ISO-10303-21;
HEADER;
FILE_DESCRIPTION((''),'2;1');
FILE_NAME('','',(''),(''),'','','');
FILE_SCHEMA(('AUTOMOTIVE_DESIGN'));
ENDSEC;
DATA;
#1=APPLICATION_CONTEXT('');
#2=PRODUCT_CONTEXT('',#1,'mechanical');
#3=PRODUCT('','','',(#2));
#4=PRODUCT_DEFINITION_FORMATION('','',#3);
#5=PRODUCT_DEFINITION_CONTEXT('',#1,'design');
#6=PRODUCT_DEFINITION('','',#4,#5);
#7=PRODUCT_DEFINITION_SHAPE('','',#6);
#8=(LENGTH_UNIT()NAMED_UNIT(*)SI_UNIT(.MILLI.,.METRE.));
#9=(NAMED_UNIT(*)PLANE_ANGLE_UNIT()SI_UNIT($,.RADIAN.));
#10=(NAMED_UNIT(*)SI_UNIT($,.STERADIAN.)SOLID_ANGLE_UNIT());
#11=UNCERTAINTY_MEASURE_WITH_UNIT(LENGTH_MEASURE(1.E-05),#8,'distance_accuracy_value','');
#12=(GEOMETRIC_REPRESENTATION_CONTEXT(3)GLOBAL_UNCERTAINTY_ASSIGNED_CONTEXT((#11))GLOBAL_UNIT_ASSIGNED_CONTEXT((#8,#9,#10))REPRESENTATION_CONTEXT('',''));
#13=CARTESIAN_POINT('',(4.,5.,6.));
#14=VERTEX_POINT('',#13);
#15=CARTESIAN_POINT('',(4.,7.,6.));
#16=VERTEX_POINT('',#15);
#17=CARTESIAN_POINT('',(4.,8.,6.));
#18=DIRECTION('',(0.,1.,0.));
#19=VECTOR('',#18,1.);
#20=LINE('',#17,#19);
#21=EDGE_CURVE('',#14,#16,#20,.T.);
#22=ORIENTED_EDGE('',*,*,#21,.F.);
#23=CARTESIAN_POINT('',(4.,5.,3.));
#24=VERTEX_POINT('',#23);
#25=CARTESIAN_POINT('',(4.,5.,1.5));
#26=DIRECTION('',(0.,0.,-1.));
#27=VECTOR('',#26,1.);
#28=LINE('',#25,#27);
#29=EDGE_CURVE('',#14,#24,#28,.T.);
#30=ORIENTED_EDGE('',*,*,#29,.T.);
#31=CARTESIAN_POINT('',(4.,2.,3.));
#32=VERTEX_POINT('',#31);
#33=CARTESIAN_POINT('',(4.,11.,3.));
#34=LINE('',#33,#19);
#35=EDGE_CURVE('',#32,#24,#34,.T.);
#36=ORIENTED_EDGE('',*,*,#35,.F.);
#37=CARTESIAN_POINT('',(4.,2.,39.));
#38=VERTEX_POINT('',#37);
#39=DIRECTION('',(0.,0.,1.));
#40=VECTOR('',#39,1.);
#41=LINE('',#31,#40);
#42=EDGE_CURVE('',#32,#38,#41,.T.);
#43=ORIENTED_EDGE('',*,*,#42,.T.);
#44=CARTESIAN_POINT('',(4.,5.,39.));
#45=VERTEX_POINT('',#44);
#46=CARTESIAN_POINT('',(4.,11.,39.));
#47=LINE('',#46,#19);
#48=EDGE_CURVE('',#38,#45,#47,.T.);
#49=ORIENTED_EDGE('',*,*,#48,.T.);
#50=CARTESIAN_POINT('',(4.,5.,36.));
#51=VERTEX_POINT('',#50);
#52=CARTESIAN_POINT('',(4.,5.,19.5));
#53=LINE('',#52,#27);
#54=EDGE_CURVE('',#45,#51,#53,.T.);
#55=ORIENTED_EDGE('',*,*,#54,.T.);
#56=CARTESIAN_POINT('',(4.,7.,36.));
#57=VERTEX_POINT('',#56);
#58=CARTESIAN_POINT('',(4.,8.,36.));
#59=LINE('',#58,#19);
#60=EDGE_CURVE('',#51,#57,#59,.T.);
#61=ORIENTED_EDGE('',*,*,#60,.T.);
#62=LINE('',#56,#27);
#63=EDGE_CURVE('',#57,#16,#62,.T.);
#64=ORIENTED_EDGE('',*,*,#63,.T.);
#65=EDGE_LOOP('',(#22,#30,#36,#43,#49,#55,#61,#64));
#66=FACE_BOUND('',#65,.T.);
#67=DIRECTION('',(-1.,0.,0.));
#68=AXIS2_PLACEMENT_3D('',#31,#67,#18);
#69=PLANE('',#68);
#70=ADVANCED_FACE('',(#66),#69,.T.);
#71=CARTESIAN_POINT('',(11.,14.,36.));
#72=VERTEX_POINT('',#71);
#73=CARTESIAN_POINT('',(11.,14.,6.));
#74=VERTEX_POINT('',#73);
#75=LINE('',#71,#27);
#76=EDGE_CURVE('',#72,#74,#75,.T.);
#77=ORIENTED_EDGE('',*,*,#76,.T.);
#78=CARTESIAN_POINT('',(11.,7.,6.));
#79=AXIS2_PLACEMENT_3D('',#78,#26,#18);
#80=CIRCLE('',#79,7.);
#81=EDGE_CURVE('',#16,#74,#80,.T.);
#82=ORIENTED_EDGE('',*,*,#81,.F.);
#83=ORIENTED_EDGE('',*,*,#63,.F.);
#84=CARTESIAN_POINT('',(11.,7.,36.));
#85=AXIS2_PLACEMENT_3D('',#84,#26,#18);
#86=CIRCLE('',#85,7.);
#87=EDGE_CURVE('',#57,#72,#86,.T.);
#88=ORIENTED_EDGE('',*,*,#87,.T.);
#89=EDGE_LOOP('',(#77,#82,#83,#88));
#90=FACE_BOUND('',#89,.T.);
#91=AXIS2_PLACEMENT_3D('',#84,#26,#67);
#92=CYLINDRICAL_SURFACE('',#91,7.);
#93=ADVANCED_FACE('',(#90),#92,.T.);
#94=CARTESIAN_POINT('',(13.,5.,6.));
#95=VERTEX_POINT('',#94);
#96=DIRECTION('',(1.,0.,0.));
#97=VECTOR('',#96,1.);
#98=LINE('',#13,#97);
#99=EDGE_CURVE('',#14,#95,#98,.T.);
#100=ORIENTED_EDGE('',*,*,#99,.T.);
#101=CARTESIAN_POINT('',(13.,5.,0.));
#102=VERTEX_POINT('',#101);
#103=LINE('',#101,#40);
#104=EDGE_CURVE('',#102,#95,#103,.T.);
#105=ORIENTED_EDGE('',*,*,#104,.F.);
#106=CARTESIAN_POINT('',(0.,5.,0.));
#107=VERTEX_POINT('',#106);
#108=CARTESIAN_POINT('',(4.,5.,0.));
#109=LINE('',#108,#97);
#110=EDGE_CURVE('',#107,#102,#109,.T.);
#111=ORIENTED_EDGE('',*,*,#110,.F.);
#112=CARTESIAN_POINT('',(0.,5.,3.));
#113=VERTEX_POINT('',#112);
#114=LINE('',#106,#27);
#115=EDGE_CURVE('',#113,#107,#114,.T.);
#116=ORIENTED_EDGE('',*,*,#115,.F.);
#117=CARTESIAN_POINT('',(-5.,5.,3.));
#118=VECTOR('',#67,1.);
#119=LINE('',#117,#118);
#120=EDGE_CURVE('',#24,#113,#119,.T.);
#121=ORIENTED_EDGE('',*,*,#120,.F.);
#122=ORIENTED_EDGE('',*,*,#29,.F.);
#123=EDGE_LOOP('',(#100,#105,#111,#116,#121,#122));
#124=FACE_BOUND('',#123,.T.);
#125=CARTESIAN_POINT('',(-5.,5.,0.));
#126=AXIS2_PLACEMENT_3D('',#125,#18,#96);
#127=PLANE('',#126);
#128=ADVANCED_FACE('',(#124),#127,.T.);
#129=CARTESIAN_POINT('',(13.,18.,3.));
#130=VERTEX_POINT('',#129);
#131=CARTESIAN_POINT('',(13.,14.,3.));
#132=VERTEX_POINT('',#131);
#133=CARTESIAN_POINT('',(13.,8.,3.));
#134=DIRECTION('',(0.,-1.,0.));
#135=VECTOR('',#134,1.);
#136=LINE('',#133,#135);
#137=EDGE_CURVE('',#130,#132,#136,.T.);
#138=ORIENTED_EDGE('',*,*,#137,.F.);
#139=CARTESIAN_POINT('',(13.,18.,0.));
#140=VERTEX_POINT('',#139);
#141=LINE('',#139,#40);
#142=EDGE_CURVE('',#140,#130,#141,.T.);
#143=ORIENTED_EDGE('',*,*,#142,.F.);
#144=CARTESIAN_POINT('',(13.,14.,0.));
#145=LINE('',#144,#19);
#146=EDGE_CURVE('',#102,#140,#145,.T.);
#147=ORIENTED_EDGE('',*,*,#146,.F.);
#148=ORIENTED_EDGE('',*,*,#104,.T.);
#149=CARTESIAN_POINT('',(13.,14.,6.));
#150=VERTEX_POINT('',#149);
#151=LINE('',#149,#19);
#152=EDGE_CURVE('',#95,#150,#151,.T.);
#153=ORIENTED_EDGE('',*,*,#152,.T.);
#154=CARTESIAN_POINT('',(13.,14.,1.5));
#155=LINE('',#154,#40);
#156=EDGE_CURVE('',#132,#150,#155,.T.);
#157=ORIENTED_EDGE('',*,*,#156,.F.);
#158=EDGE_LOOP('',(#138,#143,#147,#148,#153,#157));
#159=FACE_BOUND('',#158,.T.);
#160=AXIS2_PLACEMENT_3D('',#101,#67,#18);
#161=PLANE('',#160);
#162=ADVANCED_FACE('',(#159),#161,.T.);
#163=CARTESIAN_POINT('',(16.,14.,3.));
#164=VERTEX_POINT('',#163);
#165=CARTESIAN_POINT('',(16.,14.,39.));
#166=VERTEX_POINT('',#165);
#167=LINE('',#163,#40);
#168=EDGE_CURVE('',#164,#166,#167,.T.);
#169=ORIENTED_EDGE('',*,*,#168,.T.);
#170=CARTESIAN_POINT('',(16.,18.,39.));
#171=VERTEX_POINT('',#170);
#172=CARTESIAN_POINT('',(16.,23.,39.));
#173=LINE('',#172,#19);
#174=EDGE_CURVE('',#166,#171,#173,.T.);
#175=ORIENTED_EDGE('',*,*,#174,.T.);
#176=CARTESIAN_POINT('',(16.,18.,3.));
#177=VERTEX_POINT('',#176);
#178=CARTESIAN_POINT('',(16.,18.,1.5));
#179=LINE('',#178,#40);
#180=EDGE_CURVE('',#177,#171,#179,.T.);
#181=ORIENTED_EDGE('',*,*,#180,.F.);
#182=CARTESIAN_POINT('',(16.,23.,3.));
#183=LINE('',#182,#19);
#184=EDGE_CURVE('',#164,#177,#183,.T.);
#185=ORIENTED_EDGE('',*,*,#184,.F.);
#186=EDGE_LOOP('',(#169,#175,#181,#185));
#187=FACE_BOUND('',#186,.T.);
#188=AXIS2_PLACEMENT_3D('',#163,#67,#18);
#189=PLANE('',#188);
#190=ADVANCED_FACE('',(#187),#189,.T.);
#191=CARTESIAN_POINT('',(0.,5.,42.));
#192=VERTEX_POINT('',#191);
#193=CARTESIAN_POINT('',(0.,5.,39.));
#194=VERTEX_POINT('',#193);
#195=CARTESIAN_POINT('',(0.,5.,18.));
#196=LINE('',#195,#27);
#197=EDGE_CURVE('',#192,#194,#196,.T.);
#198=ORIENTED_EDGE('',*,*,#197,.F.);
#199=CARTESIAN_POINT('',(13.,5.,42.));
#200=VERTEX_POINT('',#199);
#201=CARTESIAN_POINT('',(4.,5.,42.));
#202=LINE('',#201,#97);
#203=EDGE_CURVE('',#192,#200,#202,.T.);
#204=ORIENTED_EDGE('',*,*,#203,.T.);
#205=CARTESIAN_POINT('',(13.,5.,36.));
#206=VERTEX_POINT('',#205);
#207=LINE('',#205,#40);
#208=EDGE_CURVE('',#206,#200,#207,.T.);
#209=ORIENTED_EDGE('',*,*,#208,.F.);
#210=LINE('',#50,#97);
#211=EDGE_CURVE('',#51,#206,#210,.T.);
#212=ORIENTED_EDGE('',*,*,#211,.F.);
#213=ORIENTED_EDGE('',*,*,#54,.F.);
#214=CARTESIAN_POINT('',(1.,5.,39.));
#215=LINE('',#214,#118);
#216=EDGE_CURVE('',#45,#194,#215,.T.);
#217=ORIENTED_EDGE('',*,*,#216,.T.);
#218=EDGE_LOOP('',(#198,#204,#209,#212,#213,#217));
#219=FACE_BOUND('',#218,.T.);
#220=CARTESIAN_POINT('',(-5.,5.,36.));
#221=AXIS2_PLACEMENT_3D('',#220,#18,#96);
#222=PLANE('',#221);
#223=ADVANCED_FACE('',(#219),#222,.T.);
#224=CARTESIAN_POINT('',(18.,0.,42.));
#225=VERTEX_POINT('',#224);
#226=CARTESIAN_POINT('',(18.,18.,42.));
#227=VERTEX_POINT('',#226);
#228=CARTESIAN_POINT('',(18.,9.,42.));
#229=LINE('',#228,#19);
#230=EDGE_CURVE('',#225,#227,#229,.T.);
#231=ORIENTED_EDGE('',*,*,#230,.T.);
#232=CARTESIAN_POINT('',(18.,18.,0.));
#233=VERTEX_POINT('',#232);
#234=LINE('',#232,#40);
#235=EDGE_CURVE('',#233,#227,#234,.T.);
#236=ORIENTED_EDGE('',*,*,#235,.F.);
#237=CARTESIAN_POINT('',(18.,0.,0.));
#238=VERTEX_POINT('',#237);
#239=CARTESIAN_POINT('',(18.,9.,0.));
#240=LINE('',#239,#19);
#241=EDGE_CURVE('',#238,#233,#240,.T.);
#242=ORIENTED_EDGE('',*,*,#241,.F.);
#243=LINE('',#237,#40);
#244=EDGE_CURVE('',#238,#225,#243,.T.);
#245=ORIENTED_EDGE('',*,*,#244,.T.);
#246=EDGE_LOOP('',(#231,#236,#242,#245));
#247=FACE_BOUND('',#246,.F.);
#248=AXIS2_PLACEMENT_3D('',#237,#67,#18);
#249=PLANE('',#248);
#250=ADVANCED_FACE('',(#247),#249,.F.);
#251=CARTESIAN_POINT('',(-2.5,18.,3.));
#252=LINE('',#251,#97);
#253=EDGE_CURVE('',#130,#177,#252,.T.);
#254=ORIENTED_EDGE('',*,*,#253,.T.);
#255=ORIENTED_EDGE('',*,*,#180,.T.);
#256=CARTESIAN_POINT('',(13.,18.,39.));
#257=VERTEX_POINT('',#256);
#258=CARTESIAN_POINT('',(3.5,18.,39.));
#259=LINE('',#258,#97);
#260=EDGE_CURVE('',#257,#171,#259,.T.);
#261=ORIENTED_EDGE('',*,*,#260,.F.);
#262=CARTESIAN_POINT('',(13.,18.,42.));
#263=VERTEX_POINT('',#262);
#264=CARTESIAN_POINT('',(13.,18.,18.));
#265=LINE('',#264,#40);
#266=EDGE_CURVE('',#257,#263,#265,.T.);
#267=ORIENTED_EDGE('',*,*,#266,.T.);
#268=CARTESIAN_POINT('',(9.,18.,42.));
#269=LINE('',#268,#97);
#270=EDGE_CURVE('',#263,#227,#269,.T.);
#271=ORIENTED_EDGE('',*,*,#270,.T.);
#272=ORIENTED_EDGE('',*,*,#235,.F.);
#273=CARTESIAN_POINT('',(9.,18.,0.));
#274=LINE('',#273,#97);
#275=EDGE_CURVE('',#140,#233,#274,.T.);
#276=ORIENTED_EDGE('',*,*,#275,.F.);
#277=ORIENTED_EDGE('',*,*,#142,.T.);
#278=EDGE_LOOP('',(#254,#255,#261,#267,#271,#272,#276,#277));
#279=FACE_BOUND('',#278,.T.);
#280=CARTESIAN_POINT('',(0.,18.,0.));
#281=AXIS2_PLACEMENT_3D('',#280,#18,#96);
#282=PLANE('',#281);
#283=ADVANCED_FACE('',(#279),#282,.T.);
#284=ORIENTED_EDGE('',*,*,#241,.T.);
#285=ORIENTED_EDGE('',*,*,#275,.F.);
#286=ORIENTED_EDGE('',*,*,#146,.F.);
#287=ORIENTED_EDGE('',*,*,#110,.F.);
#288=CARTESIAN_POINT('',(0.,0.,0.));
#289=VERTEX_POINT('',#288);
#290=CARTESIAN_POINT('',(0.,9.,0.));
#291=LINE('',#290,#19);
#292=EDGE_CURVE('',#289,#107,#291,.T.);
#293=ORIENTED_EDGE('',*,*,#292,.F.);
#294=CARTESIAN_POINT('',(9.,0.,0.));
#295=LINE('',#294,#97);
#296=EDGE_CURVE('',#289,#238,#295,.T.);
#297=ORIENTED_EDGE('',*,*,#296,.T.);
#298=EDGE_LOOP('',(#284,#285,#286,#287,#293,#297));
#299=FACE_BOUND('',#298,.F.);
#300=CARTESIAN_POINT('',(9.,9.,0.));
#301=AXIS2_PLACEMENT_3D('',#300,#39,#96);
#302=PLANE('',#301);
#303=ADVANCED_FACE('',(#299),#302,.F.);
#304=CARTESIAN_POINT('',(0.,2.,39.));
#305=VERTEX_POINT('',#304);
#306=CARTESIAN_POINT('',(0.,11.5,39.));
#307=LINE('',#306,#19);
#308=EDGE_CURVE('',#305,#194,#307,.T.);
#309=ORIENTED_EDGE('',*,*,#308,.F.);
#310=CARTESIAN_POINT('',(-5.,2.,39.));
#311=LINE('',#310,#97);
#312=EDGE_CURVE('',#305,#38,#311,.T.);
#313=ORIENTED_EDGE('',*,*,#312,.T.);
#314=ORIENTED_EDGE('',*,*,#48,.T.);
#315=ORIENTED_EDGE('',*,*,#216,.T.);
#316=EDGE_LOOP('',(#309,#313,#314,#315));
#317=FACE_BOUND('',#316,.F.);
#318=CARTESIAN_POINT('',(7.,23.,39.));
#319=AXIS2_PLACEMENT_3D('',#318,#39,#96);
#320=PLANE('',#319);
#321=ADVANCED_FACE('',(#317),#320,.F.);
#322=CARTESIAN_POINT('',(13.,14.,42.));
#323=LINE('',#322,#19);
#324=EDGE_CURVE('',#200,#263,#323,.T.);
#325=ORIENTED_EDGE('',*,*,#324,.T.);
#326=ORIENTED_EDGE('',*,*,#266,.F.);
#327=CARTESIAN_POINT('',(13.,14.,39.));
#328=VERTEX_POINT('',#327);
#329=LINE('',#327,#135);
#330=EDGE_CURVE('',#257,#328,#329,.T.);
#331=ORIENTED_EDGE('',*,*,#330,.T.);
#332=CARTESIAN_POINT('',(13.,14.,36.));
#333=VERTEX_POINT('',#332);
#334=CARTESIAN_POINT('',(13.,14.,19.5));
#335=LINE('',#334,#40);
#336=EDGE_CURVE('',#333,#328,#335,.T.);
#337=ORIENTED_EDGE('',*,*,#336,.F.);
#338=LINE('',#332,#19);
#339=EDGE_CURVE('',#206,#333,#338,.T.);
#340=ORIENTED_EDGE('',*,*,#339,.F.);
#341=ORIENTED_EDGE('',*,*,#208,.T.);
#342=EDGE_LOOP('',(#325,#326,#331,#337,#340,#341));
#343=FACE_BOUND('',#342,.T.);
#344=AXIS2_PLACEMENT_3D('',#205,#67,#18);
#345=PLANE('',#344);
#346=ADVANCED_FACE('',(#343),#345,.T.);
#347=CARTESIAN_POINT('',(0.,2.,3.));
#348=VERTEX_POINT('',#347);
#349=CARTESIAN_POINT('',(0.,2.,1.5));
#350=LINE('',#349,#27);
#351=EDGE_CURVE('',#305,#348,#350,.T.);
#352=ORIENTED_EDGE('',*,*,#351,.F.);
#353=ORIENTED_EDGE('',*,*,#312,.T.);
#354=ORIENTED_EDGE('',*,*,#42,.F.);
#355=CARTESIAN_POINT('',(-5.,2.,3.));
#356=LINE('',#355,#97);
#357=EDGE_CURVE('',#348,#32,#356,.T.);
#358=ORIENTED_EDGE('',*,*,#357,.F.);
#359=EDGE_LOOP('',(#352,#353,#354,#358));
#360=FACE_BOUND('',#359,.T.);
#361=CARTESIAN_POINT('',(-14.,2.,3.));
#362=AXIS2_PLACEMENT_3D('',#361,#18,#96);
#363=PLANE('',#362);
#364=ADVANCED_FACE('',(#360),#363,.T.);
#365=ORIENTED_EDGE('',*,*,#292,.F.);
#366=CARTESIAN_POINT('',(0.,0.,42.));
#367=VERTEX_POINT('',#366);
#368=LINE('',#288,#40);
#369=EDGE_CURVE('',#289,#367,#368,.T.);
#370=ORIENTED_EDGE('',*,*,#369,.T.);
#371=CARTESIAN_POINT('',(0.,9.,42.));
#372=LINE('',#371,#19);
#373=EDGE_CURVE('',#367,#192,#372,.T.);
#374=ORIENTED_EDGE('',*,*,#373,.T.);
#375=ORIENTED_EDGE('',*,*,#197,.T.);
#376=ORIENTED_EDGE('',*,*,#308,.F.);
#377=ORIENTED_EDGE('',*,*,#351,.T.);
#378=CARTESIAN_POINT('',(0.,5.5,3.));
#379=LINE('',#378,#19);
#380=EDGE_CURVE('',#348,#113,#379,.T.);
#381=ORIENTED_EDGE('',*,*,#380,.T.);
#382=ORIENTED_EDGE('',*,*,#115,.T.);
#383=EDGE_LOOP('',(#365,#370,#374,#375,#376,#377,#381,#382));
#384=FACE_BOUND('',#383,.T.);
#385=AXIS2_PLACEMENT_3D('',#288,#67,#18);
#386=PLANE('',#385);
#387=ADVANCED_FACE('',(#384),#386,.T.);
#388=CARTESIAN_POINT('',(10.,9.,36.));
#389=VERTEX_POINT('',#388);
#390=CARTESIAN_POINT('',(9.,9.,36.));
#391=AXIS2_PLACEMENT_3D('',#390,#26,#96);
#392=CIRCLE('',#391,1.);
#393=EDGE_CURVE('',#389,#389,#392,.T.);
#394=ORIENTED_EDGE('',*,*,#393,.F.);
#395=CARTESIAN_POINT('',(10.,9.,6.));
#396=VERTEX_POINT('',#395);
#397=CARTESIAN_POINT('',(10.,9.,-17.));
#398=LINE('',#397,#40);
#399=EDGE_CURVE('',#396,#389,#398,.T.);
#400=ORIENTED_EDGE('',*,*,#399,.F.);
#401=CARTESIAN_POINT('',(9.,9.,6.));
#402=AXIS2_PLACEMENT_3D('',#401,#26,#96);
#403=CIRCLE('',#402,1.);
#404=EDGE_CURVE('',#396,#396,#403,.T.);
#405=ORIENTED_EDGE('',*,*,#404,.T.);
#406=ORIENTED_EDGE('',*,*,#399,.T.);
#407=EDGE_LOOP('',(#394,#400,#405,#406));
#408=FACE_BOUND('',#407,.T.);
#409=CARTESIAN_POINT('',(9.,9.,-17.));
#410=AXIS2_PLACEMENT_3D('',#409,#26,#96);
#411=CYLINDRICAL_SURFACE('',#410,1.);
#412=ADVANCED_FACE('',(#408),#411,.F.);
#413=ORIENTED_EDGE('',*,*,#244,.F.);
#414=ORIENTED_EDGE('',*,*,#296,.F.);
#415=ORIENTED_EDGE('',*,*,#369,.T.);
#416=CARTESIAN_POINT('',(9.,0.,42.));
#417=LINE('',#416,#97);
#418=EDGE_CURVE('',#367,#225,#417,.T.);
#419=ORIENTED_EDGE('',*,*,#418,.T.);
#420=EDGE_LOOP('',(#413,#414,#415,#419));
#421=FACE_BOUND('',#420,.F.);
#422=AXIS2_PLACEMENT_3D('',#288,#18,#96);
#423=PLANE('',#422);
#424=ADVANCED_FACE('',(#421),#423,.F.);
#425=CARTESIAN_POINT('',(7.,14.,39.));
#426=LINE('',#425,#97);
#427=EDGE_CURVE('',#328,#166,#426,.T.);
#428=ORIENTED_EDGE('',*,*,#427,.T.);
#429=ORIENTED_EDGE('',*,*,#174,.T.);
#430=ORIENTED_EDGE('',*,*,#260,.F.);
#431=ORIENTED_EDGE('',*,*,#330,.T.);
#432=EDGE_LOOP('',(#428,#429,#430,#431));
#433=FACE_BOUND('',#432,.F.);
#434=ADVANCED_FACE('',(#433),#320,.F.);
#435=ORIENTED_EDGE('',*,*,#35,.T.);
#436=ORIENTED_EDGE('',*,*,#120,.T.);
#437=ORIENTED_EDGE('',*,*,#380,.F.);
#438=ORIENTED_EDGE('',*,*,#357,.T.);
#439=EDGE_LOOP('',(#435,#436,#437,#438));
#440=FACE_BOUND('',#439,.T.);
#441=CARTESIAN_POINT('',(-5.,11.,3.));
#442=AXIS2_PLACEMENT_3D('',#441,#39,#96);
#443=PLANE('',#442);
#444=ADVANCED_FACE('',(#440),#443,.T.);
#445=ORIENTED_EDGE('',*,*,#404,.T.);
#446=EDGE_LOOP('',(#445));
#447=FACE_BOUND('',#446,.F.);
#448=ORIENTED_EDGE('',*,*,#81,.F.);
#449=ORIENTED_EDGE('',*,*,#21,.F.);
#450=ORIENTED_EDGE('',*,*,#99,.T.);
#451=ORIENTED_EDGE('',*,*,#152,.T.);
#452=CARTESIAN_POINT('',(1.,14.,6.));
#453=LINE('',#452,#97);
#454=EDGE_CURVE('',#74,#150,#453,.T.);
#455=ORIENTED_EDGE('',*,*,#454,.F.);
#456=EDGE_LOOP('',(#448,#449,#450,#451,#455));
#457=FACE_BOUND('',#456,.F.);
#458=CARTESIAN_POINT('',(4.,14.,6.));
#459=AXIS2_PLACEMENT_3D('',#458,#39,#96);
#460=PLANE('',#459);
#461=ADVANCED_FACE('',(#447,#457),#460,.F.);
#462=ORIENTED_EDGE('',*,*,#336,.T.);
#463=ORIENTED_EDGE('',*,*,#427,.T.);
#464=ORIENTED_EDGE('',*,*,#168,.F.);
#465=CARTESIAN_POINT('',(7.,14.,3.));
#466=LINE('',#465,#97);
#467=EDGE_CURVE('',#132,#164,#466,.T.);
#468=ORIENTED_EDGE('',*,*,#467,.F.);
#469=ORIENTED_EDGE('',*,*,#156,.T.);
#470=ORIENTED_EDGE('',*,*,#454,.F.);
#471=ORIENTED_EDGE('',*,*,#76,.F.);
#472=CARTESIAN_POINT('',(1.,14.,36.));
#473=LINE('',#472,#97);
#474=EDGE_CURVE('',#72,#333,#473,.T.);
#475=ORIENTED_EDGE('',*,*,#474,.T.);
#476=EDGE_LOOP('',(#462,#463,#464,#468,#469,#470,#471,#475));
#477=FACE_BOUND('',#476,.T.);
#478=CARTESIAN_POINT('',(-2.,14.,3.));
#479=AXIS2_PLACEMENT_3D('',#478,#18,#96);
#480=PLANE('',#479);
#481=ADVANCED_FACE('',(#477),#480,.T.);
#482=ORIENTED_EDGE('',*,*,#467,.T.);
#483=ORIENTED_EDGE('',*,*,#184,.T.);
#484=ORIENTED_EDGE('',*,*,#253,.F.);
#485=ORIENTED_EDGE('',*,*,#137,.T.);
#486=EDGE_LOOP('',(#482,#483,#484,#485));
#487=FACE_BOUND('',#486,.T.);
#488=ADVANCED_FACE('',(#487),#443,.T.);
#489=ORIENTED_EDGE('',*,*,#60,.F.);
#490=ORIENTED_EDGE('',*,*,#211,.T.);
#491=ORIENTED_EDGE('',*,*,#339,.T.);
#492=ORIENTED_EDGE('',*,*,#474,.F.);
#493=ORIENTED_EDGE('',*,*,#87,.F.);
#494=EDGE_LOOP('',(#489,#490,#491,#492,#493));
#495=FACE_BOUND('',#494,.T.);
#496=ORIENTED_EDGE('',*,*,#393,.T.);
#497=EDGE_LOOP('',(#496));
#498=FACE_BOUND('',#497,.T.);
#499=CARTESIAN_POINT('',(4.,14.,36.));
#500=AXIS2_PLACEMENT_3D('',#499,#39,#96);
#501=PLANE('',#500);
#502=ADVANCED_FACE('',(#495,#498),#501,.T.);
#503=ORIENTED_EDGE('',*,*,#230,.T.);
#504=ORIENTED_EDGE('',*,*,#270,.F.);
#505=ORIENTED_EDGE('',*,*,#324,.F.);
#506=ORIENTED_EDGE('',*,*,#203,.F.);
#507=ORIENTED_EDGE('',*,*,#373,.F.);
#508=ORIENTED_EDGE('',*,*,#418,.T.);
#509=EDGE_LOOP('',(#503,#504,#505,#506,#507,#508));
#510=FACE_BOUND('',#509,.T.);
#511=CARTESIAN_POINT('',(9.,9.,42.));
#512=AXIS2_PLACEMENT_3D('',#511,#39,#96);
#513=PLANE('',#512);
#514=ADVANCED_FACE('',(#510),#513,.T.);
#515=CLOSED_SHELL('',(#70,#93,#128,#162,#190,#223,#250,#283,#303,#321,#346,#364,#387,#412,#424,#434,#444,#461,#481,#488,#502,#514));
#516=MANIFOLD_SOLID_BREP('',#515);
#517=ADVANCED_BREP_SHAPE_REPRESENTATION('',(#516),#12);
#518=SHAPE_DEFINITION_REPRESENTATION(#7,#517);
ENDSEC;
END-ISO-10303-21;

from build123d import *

# Parameters (mm, degrees)
BOX017_W          = 18
BOX017_H          = 18
BOX017_DEPTH      = 36
CYLINDER010_R     = 1
CYLINDER010_DEPTH = 70
BOX015_W          = 18
BOX015_H          = 18
BOX015_DEPTH      = 6
ARRAY007_Z_COUNT  = 2
ARRAY007_Z_PITCH  = 36
BOX016_W          = 18
BOX016_H          = 18
BOX016_DEPTH      = 36
BOX014_W          = 18
BOX014_H          = 18
BOX014_DEPTH      = 42
FILLET001_R       = 7


with BuildPart() as cube017:
    # Box017 → Box017 (new body)
    with BuildSketch(Plane(origin=(-2, 14, 3), x_dir=(1, 0, 0), z_dir=(0, 0, 1))):
        with Locations((9, 9)):
            Rectangle(BOX017_W, BOX017_H)
    extrude(amount=BOX017_DEPTH)


with BuildPart() as cylinder010:
    # Cylinder010 → Cylinder010 (new body)
    with BuildSketch(Plane(origin=(9, 9, -17), x_dir=(1, 0, 0), z_dir=(0, 0, 1))):
        Circle(CYLINDER010_R)
    extrude(amount=CYLINDER010_DEPTH)


with BuildPart() as array007:
    # Box015 → Box015 (new body)
    with BuildSketch(Plane(origin=(-5, 5, 0), x_dir=(1, 0, 0), z_dir=(0, 0, 1))):
        with Locations((9, 9)):
            Rectangle(BOX015_W, BOX015_H)
    extrude(amount=BOX015_DEPTH)

    # Array007 Z: Array007 ×2


with BuildPart() as array007_1:
    add(array007.part)
    with Locations(*[(0, 0, i * ARRAY007_Z_PITCH) for i in range(1, ARRAY007_Z_COUNT)]):
        add(array007.part)


with BuildPart() as cone002:
    # Cone002 → Cone002 (revolve)
    with BuildSketch(Plane(origin=(9, 9, 0), x_dir=(1, 0, 0), z_dir=(0, -1, 0))):
        Polygon((0, 0), (2.9, 0), (1.5, 3.5), (0, 3.5), align=None)
    revolve(axis=Axis((9, 9, 0), (0, 0, 1)))


with BuildPart() as cone003:
    # Cone003 → Cone003 (revolve)
    with BuildSketch(Plane(origin=(9, 9, 38.5), x_dir=(1, 0, 0), z_dir=(0, -1, 0))):
        Polygon((0, 0), (1.5, 0), (2.9, 3.5), (0, 3.5), align=None)
    revolve(axis=Axis((9, 9, 38.5), (0, 0, 1)))


with BuildPart() as fusion006:
    # Box016 → Box016 (new body)
    with BuildSketch(Plane(origin=(-14, 2, 3), x_dir=(1, 0, 0), z_dir=(0, 0, 1))):
        with Locations((9, 9)):
            Rectangle(BOX016_W, BOX016_H)
    extrude(amount=BOX016_DEPTH)

    # Fusion006: union Cube017, Cylinder010, Array007, Cone002, Cone003
    add(cube017.part)
    add(cylinder010.part)
    add(array007_1.part)
    add(cone002.part)
    add(cone003.part)


with BuildPart() as fillet001:
    # Box014 → Box014 (new body)
    with BuildSketch(Plane.XY):
        with Locations((9, 9)):
            Rectangle(BOX014_W, BOX014_H)
    extrude(amount=BOX014_DEPTH)

    # Cut007: cut Fusion006
    add(fusion006.part, mode=Mode.SUBTRACT)

    # Fillet001
    fillet001_edges = [fillet001.edges().sort_by_distance(p)[0] for p in [
        (4, 14, 21),
    ]]
    fillet(fillet001_edges, radius=FILLET001_R)


solid = fillet001.part
